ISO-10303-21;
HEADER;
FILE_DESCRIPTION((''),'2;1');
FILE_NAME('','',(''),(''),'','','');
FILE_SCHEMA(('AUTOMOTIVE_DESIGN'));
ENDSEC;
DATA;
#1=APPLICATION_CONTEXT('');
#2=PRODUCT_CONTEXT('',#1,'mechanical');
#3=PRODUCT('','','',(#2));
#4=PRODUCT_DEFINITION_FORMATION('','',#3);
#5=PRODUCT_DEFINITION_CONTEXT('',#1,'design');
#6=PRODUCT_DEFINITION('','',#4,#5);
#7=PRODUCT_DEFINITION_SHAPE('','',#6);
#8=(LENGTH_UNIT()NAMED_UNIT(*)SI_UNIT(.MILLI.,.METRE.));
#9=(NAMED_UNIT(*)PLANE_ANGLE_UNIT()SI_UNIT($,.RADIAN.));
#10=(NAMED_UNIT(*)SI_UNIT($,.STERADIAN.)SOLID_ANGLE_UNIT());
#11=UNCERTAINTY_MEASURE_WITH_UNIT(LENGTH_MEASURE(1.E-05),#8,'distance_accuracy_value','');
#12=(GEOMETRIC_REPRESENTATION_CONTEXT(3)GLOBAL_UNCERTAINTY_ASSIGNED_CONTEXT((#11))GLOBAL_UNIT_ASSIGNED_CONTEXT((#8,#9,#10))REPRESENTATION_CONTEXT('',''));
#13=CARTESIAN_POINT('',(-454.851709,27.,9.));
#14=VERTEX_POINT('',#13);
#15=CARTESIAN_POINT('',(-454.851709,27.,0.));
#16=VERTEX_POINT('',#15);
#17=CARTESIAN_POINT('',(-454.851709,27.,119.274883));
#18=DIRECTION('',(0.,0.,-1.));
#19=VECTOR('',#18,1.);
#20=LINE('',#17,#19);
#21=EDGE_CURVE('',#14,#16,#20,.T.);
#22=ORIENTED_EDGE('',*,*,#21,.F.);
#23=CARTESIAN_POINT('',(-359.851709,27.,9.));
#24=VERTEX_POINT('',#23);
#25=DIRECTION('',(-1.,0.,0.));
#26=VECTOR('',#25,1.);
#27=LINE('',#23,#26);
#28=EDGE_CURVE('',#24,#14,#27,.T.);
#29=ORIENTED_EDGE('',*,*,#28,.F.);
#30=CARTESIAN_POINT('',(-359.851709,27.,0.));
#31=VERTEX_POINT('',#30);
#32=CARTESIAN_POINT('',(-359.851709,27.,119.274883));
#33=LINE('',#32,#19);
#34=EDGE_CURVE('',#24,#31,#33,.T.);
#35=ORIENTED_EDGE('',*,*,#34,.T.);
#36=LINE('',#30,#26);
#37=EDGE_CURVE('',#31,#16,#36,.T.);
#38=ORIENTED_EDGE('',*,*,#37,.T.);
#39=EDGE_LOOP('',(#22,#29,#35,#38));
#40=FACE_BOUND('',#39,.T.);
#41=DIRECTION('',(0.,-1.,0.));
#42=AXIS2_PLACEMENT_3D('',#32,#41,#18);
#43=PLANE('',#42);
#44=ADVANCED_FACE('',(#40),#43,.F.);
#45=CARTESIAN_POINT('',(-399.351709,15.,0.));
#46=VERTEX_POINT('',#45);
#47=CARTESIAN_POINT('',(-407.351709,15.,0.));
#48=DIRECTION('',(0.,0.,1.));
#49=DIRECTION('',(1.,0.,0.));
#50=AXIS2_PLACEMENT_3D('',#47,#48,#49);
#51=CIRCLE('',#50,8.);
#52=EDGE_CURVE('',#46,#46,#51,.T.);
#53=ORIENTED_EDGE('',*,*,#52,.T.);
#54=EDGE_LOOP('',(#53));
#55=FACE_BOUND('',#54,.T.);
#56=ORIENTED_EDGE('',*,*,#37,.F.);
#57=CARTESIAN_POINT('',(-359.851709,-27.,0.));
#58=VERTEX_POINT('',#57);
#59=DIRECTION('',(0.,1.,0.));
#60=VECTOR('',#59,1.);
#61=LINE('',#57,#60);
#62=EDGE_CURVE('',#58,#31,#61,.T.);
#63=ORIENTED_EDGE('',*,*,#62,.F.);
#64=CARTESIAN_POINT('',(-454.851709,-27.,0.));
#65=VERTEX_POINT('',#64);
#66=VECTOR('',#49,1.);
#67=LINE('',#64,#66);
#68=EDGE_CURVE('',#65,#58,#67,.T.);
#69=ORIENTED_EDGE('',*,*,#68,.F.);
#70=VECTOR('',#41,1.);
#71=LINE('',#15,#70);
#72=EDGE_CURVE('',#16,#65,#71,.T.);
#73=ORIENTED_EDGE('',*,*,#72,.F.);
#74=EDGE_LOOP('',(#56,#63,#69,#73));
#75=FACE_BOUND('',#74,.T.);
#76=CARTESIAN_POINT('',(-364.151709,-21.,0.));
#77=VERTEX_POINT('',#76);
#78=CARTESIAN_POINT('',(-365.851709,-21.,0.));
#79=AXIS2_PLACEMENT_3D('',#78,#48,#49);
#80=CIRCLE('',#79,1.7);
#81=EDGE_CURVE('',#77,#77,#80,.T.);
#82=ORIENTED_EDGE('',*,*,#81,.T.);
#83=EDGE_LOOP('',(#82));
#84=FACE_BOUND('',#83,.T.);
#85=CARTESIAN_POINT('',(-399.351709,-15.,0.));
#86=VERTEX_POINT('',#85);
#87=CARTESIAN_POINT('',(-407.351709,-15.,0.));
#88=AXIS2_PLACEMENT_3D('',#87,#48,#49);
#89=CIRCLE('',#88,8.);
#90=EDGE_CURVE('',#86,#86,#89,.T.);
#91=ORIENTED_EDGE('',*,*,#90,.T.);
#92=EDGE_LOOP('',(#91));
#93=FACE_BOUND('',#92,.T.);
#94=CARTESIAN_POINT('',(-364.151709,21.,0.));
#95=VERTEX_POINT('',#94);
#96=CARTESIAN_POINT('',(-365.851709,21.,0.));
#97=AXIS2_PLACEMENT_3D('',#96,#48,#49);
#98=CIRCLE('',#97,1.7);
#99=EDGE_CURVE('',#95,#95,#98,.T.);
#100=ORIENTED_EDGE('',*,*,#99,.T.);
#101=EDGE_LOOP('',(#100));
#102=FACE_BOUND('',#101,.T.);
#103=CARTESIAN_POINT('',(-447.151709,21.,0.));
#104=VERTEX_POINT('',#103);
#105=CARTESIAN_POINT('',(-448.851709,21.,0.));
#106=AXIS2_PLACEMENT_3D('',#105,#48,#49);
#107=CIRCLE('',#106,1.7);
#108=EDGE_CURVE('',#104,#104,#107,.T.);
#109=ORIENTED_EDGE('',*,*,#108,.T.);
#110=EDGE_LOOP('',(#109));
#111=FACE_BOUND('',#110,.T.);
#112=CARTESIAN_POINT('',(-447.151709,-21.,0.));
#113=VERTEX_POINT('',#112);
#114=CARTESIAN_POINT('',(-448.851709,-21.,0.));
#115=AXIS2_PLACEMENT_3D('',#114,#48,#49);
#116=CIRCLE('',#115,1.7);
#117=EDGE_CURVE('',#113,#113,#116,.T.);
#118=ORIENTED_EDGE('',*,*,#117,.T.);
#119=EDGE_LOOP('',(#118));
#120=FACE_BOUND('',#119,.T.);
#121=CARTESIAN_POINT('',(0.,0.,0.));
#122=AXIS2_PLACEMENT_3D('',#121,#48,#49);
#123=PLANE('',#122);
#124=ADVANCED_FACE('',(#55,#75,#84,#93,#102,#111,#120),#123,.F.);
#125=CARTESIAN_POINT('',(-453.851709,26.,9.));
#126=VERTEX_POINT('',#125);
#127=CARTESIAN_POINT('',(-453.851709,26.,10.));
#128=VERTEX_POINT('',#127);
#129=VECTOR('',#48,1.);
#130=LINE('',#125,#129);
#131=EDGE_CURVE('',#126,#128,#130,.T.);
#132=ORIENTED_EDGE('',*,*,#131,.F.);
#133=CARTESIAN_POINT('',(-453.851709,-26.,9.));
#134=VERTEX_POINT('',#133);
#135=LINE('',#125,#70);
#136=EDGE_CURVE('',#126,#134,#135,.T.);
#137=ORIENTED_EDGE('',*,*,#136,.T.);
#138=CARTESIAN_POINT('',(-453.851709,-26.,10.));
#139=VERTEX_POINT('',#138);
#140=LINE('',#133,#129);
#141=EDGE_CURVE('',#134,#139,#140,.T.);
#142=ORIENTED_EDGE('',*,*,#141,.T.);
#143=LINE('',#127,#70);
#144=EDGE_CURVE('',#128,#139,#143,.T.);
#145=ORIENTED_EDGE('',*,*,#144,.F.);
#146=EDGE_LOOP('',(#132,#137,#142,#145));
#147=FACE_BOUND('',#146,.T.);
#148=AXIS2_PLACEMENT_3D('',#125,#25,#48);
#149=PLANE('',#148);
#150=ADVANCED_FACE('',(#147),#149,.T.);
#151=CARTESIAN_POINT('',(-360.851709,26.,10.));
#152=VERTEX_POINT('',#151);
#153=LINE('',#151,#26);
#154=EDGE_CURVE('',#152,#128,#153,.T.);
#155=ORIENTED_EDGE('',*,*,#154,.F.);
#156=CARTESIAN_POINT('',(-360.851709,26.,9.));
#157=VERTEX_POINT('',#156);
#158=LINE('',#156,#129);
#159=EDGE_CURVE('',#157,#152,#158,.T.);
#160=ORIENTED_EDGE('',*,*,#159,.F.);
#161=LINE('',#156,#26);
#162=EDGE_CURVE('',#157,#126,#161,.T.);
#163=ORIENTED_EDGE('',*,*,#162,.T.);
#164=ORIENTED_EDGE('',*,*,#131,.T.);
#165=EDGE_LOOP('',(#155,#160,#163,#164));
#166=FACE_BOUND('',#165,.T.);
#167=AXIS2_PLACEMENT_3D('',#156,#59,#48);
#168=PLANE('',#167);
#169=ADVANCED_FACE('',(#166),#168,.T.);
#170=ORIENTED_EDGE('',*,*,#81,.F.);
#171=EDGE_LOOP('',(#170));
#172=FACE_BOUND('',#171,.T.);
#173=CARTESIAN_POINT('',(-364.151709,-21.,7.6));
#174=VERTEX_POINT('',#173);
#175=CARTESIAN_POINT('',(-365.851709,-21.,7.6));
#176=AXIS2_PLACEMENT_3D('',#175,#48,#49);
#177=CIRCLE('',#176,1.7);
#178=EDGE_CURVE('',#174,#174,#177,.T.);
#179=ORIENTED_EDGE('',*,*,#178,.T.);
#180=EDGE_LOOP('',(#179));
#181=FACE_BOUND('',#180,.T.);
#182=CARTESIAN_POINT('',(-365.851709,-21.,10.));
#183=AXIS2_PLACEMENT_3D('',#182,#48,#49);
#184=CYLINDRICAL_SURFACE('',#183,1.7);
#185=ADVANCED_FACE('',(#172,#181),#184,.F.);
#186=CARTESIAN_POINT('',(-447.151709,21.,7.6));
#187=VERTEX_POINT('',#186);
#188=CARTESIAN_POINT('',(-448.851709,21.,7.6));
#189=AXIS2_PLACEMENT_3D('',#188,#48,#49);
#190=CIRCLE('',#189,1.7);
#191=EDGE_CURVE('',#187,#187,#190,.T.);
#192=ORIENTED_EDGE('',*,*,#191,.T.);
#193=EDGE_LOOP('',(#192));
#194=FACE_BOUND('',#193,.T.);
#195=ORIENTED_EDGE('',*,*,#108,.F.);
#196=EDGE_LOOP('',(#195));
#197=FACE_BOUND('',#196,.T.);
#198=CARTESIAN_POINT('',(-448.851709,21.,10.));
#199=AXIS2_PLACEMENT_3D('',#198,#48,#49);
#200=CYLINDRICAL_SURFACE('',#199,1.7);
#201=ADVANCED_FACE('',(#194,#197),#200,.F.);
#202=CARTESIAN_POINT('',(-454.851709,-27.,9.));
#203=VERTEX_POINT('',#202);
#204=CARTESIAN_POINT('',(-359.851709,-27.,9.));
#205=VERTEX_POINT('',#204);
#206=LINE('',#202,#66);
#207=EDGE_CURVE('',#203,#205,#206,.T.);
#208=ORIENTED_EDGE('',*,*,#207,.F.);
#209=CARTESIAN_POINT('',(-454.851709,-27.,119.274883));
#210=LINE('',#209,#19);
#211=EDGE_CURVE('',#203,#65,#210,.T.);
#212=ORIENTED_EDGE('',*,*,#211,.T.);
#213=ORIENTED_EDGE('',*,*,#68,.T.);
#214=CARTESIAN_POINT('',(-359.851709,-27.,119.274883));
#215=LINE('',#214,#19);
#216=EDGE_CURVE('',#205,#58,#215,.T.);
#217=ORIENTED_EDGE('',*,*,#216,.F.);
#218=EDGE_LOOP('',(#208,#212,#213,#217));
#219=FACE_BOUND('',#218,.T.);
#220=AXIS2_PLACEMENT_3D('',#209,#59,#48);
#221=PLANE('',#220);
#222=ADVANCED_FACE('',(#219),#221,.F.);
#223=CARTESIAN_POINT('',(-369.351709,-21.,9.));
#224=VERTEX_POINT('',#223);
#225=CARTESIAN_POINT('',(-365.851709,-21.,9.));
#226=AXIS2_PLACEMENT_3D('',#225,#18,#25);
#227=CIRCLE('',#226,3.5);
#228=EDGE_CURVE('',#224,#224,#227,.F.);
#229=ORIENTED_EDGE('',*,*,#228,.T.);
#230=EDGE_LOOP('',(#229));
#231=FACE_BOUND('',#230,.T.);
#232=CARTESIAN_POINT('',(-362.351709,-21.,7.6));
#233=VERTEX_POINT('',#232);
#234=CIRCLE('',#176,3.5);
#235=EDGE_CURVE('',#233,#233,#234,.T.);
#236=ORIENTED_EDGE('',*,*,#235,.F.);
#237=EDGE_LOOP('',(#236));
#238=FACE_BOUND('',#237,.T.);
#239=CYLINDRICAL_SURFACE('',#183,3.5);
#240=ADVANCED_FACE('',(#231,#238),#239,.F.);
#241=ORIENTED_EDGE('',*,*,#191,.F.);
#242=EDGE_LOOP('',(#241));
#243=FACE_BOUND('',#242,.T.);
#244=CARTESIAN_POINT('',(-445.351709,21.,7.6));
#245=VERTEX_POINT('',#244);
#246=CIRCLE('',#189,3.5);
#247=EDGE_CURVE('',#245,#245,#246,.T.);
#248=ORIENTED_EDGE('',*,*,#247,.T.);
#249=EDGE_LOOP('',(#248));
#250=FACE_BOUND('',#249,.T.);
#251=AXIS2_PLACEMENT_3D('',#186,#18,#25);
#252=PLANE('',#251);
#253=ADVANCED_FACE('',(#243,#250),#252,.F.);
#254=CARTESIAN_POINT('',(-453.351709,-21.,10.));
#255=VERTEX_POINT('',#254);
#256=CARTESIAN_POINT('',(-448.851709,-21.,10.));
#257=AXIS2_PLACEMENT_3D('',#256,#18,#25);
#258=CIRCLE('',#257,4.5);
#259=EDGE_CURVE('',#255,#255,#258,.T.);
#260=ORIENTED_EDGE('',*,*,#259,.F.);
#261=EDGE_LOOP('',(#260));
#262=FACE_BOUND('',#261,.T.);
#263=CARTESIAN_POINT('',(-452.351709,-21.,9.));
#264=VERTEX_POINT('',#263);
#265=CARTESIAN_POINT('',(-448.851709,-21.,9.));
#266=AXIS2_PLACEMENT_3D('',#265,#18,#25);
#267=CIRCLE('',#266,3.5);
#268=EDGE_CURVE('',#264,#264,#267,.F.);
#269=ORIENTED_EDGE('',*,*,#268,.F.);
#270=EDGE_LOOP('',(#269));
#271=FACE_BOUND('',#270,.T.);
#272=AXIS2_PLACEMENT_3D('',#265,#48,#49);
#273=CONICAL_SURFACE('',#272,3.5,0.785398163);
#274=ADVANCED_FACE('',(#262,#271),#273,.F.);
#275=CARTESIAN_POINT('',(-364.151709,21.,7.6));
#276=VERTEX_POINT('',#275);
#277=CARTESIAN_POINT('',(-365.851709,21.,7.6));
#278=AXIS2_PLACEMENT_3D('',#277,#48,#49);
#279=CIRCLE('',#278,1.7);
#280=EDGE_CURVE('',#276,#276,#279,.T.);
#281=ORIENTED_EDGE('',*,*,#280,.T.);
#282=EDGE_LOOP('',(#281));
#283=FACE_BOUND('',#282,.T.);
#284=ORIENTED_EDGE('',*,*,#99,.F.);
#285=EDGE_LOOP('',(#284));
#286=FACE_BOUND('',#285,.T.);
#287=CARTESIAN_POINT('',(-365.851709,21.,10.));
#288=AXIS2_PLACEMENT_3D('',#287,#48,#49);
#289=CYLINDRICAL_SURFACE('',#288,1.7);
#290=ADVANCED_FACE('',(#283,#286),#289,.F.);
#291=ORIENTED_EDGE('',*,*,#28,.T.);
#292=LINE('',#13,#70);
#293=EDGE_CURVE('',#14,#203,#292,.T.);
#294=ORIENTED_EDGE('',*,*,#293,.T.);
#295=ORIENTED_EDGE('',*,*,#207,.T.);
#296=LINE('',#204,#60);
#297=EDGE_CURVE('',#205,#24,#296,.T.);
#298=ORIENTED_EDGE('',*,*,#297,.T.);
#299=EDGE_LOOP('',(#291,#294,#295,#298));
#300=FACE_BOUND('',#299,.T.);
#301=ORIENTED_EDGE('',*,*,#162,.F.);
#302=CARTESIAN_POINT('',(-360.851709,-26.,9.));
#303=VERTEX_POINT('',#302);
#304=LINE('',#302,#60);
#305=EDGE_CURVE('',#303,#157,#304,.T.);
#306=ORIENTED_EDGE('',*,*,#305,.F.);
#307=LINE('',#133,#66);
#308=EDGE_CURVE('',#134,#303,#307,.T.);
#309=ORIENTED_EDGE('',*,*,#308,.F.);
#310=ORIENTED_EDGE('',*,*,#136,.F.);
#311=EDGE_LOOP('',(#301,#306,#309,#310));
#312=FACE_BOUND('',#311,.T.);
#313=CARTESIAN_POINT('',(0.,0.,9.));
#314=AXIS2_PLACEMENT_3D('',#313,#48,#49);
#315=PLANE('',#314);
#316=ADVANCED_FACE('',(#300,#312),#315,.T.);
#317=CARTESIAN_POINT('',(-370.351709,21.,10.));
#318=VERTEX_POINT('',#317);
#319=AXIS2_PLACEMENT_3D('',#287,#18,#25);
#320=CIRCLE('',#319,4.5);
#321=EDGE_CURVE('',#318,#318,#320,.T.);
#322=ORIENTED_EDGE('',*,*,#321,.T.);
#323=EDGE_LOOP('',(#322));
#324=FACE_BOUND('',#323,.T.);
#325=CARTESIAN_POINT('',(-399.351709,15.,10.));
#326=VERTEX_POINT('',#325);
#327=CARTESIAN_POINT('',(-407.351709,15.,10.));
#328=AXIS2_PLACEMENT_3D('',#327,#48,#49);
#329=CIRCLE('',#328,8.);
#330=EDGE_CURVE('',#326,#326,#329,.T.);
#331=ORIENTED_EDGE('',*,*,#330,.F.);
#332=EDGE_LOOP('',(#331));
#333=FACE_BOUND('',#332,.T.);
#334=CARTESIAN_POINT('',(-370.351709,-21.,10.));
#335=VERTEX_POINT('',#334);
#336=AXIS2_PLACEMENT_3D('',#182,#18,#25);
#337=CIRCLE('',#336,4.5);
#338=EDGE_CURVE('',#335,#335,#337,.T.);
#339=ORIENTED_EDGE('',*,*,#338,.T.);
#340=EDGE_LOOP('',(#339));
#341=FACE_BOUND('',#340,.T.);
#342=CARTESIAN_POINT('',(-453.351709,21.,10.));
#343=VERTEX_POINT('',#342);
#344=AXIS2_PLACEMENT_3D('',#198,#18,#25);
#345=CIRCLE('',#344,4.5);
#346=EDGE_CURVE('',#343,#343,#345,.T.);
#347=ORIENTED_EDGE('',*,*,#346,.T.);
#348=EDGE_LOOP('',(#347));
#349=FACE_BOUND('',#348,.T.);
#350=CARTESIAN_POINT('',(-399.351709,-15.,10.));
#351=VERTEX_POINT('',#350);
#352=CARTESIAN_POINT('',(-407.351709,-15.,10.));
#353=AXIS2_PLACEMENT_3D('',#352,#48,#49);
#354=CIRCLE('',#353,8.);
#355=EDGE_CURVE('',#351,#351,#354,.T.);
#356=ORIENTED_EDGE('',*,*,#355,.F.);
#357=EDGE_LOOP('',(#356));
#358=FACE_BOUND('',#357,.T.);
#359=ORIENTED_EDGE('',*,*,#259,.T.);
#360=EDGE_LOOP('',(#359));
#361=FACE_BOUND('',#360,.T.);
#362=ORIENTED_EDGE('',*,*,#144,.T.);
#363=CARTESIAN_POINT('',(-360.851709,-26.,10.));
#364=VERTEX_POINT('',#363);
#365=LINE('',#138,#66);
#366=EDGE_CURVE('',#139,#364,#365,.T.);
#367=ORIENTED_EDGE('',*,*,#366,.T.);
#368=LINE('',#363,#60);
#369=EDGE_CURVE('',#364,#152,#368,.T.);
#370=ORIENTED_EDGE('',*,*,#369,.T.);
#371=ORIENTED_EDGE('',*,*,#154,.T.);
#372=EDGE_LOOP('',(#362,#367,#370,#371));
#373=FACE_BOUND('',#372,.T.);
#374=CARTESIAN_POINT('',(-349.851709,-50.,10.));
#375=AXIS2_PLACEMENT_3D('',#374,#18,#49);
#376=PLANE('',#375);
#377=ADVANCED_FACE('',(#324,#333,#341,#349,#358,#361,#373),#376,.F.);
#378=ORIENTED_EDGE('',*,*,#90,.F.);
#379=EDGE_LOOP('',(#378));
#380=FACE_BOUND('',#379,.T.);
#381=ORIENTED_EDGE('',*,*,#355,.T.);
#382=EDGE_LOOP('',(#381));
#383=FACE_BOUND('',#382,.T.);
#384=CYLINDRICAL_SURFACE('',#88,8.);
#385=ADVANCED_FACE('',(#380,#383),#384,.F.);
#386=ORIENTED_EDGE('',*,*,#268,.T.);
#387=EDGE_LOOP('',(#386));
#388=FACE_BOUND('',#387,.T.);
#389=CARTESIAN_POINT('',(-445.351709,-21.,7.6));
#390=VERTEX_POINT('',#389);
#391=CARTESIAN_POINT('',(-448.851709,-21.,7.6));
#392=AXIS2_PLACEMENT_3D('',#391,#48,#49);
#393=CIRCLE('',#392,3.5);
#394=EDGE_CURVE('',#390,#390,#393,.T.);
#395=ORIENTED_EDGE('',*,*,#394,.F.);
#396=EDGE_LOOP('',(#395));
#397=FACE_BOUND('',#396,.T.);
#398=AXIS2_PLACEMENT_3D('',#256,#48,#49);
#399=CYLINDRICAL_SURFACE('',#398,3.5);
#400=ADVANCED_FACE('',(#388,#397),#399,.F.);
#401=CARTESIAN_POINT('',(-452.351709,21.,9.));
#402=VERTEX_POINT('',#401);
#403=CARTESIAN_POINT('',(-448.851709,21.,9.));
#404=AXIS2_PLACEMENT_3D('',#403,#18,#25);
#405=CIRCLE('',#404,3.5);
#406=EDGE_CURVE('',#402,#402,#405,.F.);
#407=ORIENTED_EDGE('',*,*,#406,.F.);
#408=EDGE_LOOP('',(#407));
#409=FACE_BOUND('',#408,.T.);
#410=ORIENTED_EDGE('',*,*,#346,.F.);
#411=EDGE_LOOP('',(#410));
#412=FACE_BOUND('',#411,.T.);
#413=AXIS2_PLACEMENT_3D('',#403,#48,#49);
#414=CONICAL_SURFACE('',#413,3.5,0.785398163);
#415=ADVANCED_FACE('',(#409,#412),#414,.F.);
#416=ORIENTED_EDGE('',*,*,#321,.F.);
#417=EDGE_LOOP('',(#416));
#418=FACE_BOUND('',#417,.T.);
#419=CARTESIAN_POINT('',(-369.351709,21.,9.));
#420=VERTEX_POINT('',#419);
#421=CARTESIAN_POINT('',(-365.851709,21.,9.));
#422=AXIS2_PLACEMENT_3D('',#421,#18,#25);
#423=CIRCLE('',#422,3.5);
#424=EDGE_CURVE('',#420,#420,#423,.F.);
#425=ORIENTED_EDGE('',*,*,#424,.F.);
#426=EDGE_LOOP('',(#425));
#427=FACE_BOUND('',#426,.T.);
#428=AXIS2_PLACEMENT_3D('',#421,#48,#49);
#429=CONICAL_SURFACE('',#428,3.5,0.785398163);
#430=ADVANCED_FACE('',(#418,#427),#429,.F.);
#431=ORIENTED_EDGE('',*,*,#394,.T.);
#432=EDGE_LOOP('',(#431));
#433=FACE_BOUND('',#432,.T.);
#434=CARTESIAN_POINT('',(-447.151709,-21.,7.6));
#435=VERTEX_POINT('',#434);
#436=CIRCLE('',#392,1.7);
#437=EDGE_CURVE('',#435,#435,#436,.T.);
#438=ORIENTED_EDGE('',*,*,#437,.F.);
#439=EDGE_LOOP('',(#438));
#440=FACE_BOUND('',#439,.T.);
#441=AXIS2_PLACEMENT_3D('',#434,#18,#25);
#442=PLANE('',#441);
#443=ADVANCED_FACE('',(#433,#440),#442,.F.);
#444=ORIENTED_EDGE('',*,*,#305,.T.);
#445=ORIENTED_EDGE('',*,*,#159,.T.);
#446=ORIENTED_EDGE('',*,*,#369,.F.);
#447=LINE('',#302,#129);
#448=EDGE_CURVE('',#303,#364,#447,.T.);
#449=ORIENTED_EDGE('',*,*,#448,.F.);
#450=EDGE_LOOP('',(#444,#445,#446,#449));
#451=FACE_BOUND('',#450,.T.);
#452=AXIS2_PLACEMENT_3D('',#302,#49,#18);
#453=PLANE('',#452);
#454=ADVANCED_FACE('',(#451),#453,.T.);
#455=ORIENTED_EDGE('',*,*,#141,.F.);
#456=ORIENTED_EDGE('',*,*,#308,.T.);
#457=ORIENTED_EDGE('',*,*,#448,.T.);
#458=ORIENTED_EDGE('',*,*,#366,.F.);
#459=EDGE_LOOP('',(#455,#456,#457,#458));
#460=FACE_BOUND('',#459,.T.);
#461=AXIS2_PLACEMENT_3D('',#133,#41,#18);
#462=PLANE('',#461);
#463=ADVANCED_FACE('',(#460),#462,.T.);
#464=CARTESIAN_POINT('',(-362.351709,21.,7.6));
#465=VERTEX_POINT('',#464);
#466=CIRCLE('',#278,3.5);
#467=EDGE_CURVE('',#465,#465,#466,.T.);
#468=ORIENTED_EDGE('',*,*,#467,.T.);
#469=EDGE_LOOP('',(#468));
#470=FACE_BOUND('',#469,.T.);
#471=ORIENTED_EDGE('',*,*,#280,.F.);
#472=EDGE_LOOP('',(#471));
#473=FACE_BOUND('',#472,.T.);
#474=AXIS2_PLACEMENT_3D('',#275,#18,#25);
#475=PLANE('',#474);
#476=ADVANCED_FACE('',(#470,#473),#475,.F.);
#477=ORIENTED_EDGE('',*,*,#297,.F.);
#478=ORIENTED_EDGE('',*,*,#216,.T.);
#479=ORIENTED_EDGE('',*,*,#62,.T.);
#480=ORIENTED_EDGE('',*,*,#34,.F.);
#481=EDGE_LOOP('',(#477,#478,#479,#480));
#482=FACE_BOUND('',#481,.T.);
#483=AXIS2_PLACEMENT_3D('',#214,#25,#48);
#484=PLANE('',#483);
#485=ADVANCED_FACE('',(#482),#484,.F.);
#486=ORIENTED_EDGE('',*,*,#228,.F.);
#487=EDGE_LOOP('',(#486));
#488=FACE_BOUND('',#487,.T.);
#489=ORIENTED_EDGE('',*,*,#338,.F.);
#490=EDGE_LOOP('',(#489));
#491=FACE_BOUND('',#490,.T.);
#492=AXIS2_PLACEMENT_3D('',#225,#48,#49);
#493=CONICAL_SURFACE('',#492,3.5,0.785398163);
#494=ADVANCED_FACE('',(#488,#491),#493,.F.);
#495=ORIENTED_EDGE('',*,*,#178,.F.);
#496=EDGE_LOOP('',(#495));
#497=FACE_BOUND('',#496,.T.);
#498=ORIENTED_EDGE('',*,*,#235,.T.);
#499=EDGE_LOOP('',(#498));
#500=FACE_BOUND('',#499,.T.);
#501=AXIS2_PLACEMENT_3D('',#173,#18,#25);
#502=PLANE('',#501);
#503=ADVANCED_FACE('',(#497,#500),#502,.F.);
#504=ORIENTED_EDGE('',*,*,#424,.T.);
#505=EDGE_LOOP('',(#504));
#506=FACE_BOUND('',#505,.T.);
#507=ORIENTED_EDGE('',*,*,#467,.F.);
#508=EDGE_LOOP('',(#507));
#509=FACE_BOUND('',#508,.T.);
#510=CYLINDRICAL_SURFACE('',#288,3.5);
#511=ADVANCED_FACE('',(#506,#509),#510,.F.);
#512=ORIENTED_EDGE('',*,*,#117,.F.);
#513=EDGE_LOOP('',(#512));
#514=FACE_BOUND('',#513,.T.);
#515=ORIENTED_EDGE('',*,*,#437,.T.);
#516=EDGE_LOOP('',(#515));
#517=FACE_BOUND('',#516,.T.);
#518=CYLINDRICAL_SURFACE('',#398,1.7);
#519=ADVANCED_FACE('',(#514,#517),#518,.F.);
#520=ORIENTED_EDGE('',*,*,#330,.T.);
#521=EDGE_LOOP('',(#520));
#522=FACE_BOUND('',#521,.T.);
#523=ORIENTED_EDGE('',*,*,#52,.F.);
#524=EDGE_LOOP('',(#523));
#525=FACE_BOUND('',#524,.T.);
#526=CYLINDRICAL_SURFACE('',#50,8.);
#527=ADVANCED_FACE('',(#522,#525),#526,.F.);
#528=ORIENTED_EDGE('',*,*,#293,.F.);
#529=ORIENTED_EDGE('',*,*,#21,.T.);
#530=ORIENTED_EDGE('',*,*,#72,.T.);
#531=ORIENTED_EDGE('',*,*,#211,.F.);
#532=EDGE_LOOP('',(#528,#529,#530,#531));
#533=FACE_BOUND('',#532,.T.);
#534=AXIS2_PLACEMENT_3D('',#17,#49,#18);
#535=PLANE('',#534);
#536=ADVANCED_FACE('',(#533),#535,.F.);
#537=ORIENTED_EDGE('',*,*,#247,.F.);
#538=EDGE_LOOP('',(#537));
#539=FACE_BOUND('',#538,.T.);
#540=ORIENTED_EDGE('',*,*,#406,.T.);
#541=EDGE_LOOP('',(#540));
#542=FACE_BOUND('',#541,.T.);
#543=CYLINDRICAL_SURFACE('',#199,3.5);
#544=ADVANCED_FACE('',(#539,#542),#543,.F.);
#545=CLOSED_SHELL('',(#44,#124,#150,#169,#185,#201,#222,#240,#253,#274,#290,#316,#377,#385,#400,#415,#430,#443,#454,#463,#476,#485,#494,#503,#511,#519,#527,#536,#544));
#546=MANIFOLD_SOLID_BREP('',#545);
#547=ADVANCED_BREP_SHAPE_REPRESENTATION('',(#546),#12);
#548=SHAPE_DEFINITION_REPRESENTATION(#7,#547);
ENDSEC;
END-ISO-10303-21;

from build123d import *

# Parameters (mm, degrees)
SKETCH1_W                                = 95
SKETCH1_H                                = 54
BOSS_EXTRUDE1_DEPTH                      = 10
SKETCH2_W                                = 95
SKETCH2_H                                = 54
SKETCH2_W_2                              = 93
SKETCH2_H_2                              = 52
CUT_EXTRUDE1_DEPTH                       = 1
CBORE_FOR_M3_PAN_HEAD_SCREW1_D           = 3.4
CBORE_FOR_M3_PAN_HEAD_SCREW1_CBORE_D     = 7
CBORE_FOR_M3_PAN_HEAD_SCREW1_CBORE_DEPTH = 2.4
CHAMFER1_SIZE                            = 1
SKETCH4_R                                = 8
CUT_EXTRUDE2_DEPTH                       = 10


with BuildPart() as part:
    # Sketch1 → Boss-Extrude1 (new body)
    with BuildSketch(Plane.XY):
        with Locations((-407.351708977, 0)):
            Rectangle(SKETCH1_W, SKETCH1_H)
    extrude(amount=BOSS_EXTRUDE1_DEPTH)

    # Sketch2 → Cut-Extrude1 (cut)
    with BuildSketch(Plane.XY.offset(10)):
        with Locations((-407.351708977, 0)):
            Rectangle(SKETCH2_W, SKETCH2_H)
        with Locations((-407.351708977, 0)):
            Rectangle(SKETCH2_W_2, SKETCH2_H_2, mode=Mode.SUBTRACT)
    extrude(amount=-CUT_EXTRUDE1_DEPTH, mode=Mode.SUBTRACT)

    # CBORE for M3 Pan Head Screw1 (through all)
    with Locations(Plane(origin=(-448.851708977, 21, 10), x_dir=(1, 0, 0), z_dir=(0, 0, 1))):
        with Locations((0, 0), (83, 0), (83, -42), (0, -42)):
            CounterBoreHole(CBORE_FOR_M3_PAN_HEAD_SCREW1_D / 2, CBORE_FOR_M3_PAN_HEAD_SCREW1_CBORE_D / 2, CBORE_FOR_M3_PAN_HEAD_SCREW1_CBORE_DEPTH)

    # Chamfer1
    chamfer1_edges = [part.edges().sort_by_distance(p)[0] for p in [
        (-452.351708977, -21, 10),
        (-369.351708977, -21, 10),
        (-369.351708977, 21, 10),
        (-452.351708977, 21, 10),
    ]]
    chamfer(chamfer1_edges, length=CHAMFER1_SIZE)

    # Sketch4 → Cut-Extrude2 (cut)
    with BuildSketch(Plane.XY.offset(10)):
        with Locations((-407.351708977, 15)):
            Circle(SKETCH4_R)
        with Locations((-407.351708977, -15)):
            Circle(SKETCH4_R)
    extrude(amount=-CUT_EXTRUDE2_DEPTH, mode=Mode.SUBTRACT)


solid = part.part
